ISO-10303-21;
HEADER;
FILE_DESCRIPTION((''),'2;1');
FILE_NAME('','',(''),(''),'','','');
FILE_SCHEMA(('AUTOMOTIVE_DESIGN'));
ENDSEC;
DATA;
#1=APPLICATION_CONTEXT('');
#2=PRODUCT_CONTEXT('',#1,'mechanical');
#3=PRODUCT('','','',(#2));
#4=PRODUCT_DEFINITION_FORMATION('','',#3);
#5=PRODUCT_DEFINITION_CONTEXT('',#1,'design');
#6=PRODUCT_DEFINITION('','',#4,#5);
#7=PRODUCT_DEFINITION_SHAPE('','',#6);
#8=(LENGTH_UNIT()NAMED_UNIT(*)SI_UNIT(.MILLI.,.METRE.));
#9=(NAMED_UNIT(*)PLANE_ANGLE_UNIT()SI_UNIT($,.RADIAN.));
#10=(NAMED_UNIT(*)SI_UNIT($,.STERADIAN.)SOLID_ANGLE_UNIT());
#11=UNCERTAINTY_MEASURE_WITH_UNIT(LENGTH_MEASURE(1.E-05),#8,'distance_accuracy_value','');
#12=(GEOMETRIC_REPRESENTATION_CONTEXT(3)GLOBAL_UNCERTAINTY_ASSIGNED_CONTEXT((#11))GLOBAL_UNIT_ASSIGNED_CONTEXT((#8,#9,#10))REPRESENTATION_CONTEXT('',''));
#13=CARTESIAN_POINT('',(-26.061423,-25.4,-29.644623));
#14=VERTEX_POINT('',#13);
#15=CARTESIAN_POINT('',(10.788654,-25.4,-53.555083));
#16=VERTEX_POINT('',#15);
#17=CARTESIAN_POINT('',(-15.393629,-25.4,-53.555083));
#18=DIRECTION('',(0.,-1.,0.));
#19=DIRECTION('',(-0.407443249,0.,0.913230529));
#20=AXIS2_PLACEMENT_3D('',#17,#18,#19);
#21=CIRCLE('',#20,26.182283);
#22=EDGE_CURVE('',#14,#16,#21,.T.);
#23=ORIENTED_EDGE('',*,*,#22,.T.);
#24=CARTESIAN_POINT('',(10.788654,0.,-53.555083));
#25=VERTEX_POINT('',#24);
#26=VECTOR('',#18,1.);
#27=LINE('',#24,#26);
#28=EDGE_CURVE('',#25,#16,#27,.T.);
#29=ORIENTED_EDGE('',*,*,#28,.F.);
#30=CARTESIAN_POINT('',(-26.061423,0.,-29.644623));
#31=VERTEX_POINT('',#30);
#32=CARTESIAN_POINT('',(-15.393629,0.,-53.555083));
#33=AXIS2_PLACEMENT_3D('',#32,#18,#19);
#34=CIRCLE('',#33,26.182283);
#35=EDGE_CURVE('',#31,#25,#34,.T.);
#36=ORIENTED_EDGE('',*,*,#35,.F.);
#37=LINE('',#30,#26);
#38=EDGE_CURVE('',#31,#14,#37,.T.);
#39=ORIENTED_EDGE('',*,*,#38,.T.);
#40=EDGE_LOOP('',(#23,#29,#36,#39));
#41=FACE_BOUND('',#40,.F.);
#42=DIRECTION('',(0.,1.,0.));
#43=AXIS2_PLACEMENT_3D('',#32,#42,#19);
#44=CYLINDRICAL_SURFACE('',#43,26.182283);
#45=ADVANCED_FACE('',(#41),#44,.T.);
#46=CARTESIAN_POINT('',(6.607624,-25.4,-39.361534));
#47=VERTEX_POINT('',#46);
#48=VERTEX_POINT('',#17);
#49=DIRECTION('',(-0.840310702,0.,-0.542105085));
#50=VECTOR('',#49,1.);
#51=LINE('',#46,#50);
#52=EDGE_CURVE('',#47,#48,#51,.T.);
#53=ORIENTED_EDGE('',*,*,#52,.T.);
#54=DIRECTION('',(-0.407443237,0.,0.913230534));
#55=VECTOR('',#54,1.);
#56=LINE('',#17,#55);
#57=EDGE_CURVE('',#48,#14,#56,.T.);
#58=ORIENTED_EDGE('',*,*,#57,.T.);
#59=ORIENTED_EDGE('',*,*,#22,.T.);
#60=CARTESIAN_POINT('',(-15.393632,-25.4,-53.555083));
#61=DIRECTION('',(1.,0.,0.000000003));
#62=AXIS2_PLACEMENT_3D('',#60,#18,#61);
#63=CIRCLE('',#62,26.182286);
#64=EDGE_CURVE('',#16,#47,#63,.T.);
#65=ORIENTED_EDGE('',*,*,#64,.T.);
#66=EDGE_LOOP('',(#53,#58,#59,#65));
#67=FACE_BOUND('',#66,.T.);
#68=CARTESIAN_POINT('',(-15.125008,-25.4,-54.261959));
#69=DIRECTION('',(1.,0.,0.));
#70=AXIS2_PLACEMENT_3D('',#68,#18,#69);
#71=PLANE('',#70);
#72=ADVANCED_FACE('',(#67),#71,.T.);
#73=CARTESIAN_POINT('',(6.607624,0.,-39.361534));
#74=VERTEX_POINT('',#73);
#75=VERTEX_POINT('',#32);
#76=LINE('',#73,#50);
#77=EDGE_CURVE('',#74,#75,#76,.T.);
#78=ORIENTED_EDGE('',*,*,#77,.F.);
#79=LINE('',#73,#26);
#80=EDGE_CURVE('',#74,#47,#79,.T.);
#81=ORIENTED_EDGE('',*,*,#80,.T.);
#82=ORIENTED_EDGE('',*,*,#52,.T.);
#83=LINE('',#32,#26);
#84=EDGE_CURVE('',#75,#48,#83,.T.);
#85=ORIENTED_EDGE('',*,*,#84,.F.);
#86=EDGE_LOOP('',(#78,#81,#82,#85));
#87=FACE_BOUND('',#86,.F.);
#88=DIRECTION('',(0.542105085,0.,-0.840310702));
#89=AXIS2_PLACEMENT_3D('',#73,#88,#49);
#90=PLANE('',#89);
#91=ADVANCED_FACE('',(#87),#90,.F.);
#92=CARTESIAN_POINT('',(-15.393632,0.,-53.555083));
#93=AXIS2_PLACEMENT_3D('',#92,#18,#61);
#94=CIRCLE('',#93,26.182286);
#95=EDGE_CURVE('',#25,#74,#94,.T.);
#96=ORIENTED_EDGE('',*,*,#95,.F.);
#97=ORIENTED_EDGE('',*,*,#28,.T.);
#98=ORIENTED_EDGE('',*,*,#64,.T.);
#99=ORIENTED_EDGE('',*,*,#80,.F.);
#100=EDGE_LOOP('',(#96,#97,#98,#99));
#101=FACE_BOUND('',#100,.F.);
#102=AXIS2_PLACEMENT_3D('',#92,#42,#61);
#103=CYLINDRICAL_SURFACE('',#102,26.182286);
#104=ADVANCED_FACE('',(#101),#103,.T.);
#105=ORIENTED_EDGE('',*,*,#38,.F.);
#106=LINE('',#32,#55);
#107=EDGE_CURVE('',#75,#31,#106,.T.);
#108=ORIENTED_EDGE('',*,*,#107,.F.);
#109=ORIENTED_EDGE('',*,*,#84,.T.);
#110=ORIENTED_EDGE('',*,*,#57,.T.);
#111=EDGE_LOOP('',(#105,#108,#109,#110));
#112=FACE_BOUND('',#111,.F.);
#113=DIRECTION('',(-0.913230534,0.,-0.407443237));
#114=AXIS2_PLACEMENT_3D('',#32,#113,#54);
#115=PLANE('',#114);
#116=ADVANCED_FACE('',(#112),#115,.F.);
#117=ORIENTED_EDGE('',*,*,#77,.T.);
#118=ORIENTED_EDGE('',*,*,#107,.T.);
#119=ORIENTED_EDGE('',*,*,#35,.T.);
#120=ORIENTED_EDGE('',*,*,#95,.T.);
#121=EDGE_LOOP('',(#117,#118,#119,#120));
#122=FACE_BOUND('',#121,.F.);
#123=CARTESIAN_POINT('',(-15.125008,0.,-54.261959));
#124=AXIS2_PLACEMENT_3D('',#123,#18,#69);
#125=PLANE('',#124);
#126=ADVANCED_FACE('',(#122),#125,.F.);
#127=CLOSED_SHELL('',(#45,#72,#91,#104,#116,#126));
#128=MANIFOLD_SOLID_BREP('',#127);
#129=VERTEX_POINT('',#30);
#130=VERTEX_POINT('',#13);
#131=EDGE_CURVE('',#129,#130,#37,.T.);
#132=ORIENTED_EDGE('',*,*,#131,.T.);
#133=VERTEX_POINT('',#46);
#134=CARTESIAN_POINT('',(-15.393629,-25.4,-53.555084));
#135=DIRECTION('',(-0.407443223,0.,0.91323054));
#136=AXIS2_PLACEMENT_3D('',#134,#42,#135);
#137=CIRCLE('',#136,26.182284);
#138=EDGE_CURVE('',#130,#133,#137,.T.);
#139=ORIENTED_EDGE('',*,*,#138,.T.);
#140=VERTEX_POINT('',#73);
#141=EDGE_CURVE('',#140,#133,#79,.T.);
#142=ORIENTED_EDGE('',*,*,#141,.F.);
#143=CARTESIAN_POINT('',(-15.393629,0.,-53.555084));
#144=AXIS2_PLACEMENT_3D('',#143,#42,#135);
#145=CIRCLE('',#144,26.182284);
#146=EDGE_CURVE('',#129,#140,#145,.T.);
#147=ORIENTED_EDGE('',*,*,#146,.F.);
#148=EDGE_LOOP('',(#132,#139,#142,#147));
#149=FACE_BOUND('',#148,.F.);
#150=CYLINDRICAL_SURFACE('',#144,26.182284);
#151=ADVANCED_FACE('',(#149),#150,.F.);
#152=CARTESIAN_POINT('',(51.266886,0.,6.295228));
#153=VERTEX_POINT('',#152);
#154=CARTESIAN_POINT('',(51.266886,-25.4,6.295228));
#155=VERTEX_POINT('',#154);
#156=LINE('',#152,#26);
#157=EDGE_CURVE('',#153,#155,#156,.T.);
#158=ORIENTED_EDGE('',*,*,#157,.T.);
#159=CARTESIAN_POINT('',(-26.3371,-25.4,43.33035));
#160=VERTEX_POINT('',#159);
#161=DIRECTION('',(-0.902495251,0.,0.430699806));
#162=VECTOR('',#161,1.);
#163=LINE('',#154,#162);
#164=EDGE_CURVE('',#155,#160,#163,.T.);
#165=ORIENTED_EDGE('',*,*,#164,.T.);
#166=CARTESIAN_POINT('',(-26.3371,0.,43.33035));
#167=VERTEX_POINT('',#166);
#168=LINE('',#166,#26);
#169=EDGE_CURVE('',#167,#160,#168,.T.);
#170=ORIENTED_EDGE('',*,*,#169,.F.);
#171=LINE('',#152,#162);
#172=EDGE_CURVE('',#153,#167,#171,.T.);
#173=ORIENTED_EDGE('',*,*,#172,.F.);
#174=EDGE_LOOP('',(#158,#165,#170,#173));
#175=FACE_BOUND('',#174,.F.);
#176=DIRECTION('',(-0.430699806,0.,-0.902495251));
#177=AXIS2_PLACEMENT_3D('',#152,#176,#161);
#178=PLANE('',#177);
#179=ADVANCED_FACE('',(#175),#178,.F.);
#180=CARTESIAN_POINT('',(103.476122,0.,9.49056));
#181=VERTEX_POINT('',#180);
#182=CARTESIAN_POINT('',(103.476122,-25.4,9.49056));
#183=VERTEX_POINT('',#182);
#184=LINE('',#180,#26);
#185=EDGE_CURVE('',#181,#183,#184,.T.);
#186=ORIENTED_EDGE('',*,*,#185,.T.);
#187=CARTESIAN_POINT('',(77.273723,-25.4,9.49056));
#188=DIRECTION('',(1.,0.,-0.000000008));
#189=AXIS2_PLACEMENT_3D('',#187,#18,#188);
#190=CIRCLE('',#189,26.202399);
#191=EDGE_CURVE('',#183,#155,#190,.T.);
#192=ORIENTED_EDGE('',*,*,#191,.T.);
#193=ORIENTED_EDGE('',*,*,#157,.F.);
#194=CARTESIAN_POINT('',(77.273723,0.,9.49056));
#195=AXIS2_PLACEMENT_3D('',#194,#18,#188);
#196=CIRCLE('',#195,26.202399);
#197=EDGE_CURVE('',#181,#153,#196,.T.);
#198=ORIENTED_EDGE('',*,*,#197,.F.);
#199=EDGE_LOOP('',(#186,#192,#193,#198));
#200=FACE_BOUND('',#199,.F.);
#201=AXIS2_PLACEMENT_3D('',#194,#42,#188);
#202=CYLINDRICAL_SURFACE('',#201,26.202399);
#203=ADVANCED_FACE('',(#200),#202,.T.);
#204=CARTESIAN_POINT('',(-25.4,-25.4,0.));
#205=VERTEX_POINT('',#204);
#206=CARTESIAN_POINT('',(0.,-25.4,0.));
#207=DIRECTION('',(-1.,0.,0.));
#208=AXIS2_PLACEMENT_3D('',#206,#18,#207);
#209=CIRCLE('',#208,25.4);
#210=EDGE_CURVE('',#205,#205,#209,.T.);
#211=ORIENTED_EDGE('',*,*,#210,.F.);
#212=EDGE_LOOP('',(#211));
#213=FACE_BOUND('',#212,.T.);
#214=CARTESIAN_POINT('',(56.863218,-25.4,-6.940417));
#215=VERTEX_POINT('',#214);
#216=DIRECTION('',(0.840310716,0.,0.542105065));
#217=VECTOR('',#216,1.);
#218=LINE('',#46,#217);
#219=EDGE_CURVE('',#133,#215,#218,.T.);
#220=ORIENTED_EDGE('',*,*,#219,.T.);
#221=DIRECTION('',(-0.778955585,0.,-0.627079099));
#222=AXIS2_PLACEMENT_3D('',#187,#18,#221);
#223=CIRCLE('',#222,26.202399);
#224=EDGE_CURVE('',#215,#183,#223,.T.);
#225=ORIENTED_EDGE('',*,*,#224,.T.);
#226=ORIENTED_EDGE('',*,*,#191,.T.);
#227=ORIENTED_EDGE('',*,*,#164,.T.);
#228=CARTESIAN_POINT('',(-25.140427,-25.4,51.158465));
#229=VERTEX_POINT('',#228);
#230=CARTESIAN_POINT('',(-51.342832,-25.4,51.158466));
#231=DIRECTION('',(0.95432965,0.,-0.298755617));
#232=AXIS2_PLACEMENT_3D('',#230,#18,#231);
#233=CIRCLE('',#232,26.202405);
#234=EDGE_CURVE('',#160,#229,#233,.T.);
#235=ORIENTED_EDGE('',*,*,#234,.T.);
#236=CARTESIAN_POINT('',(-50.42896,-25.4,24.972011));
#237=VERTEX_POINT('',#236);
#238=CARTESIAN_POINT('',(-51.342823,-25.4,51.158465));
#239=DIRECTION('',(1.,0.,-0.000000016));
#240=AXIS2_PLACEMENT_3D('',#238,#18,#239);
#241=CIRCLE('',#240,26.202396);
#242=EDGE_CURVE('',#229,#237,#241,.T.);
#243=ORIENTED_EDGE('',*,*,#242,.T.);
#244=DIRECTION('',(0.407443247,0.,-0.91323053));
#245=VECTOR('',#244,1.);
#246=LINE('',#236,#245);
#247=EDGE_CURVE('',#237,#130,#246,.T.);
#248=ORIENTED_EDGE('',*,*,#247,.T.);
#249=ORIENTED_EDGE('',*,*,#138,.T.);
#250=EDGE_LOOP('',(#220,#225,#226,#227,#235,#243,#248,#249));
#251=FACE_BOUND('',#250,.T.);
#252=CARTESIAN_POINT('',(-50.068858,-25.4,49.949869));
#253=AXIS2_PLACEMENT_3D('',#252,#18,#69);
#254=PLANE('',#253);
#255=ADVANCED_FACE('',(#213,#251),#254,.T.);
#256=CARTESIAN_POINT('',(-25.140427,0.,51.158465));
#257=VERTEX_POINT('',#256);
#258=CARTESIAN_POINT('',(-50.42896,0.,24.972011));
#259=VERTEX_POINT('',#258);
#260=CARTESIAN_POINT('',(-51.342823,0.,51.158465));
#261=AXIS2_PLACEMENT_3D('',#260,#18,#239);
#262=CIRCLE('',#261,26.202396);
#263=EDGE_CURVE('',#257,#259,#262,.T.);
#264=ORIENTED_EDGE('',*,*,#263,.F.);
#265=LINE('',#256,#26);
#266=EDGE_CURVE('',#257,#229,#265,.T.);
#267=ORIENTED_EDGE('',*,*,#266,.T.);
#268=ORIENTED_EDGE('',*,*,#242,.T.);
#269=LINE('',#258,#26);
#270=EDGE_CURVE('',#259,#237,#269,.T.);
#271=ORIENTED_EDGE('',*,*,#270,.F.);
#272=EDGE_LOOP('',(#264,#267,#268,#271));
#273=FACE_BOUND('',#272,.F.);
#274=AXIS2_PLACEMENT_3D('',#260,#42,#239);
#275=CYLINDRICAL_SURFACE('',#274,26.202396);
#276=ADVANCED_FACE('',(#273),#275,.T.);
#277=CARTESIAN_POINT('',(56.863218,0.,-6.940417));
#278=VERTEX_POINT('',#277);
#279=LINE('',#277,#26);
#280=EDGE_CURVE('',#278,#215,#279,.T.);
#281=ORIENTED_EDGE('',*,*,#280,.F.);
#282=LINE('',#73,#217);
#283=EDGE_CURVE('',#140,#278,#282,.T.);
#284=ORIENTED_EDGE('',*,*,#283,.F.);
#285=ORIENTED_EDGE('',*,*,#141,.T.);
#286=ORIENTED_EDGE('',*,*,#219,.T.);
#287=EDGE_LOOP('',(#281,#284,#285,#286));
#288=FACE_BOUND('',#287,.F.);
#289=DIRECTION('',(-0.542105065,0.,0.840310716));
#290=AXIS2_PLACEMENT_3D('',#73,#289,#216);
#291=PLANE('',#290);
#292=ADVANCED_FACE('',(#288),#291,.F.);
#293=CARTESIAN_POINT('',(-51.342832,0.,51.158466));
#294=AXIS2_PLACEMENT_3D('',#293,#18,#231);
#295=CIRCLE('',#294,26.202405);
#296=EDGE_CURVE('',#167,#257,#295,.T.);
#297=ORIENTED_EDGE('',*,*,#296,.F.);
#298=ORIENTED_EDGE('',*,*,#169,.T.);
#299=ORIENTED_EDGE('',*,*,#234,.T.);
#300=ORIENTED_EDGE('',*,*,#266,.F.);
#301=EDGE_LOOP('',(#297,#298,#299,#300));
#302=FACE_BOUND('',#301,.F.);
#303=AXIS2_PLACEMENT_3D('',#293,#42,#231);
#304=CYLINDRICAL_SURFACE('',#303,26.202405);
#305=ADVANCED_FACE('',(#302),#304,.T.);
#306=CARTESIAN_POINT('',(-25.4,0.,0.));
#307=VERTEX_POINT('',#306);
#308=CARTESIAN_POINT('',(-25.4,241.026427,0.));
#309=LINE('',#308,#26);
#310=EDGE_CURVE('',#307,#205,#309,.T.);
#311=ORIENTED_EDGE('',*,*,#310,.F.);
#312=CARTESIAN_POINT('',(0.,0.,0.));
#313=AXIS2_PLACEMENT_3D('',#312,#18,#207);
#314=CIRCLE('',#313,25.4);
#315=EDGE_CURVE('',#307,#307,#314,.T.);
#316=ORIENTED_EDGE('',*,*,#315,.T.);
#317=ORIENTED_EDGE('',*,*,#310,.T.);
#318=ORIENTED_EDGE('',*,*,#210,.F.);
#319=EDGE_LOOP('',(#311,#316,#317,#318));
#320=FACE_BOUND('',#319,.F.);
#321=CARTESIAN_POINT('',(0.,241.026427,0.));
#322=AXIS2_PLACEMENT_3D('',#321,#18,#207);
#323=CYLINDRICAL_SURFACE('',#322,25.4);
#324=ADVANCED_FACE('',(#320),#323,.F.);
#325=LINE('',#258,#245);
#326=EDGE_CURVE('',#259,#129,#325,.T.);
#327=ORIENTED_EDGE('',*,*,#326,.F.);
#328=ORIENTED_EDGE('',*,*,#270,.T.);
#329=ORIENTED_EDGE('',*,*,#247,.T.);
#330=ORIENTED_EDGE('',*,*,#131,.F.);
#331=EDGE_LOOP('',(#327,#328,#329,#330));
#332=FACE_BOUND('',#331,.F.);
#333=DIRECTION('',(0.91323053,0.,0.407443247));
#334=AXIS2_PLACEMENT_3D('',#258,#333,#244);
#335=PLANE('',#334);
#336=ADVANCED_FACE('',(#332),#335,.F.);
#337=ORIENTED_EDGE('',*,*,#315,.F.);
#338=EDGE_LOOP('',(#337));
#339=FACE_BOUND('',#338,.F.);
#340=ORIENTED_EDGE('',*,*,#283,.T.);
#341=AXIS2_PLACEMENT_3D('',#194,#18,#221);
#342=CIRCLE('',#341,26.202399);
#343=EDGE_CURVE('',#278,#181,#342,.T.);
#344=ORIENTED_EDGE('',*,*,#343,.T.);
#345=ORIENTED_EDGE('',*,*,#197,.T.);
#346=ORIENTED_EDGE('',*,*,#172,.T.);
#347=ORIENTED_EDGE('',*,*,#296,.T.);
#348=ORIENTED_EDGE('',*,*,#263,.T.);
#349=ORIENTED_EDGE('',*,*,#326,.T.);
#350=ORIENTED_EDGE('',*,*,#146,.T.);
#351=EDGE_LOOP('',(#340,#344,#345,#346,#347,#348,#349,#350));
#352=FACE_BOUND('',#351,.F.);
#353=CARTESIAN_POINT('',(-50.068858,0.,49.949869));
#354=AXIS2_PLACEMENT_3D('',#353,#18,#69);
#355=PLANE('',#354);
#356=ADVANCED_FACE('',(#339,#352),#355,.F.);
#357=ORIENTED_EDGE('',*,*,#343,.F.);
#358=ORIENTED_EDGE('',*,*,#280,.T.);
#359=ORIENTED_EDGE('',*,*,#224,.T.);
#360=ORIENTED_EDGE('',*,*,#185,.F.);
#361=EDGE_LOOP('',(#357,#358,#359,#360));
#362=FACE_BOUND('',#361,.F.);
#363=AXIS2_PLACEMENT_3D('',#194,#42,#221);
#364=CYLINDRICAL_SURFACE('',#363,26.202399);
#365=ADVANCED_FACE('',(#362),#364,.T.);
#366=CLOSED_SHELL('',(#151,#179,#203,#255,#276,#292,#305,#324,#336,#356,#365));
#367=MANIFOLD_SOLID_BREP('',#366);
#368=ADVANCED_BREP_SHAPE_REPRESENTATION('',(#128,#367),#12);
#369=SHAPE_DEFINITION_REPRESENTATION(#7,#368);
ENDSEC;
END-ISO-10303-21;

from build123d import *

# Parameters (mm, degrees)
F1_DEPTH = 25.4
F3_D     = 50.8


with BuildPart() as f1:
    # F0 (on Front) → F1 (new body)
    with BuildSketch(Plane.XZ):
        with BuildLine():
            ThreePointArc((-26.3371, 43.33035), (-25.441323, 47.198938), (-25.140427, 51.158465))
            ThreePointArc((-25.140427, 51.158465), (-70.191044, 69.360391), (-50.42896, 24.972011))
            ThreePointArc((-50.42896, 24.972011), (-35.461596, 30.317348), (-26.3371, 43.33035))
        make_face()
        with BuildLine():
            Line((-15.393629, -53.555083), (-26.061423, -29.644623))
            ThreePointArc((-26.061423, -29.644623), (-29.645027, -75.518907), (10.788654, -53.555083))
            ThreePointArc((10.788654, -53.555083), (9.721655, -46.156809), (6.607624, -39.361534))
            Line((6.607624, -39.361534), (-15.393629, -53.555083))
        make_face()
        with BuildLine():
            ThreePointArc((103.476122, 9.49056), (75.673067, 35.644023), (51.266886, 6.295228))
            ThreePointArc((51.266886, 6.295228), (53.139971, -0.71374), (56.863218, -6.940417))
            ThreePointArc((56.863218, -6.940417), (85.984679, -15.221481), (103.476122, 9.49056))
        make_face()
        with BuildLine():
            ThreePointArc((-26.3371, 43.33035), (-35.461596, 30.317348), (-50.42896, 24.972011))
            Line((-50.42896, 24.972011), (-26.061423, -29.644623))
            ThreePointArc((-26.061423, -29.644623), (-7.929286, -28.459356), (6.607624, -39.361534))
            Line((6.607624, -39.361534), (56.863218, -6.940417))
            ThreePointArc((56.863218, -6.940417), (53.139971, -0.71374), (51.266886, 6.295228))
            Line((51.266886, 6.295228), (-26.3371, 43.33035))
        make_face()
    extrude(amount=F1_DEPTH)

    # F3 (through all)
    with Locations(Plane(origin=(0, 0, 0), x_dir=(1, 0, 0), z_dir=(0, 1, 0))):
        with Locations((0, 0)):
            Hole(F3_D / 2)


solid = f1.part
